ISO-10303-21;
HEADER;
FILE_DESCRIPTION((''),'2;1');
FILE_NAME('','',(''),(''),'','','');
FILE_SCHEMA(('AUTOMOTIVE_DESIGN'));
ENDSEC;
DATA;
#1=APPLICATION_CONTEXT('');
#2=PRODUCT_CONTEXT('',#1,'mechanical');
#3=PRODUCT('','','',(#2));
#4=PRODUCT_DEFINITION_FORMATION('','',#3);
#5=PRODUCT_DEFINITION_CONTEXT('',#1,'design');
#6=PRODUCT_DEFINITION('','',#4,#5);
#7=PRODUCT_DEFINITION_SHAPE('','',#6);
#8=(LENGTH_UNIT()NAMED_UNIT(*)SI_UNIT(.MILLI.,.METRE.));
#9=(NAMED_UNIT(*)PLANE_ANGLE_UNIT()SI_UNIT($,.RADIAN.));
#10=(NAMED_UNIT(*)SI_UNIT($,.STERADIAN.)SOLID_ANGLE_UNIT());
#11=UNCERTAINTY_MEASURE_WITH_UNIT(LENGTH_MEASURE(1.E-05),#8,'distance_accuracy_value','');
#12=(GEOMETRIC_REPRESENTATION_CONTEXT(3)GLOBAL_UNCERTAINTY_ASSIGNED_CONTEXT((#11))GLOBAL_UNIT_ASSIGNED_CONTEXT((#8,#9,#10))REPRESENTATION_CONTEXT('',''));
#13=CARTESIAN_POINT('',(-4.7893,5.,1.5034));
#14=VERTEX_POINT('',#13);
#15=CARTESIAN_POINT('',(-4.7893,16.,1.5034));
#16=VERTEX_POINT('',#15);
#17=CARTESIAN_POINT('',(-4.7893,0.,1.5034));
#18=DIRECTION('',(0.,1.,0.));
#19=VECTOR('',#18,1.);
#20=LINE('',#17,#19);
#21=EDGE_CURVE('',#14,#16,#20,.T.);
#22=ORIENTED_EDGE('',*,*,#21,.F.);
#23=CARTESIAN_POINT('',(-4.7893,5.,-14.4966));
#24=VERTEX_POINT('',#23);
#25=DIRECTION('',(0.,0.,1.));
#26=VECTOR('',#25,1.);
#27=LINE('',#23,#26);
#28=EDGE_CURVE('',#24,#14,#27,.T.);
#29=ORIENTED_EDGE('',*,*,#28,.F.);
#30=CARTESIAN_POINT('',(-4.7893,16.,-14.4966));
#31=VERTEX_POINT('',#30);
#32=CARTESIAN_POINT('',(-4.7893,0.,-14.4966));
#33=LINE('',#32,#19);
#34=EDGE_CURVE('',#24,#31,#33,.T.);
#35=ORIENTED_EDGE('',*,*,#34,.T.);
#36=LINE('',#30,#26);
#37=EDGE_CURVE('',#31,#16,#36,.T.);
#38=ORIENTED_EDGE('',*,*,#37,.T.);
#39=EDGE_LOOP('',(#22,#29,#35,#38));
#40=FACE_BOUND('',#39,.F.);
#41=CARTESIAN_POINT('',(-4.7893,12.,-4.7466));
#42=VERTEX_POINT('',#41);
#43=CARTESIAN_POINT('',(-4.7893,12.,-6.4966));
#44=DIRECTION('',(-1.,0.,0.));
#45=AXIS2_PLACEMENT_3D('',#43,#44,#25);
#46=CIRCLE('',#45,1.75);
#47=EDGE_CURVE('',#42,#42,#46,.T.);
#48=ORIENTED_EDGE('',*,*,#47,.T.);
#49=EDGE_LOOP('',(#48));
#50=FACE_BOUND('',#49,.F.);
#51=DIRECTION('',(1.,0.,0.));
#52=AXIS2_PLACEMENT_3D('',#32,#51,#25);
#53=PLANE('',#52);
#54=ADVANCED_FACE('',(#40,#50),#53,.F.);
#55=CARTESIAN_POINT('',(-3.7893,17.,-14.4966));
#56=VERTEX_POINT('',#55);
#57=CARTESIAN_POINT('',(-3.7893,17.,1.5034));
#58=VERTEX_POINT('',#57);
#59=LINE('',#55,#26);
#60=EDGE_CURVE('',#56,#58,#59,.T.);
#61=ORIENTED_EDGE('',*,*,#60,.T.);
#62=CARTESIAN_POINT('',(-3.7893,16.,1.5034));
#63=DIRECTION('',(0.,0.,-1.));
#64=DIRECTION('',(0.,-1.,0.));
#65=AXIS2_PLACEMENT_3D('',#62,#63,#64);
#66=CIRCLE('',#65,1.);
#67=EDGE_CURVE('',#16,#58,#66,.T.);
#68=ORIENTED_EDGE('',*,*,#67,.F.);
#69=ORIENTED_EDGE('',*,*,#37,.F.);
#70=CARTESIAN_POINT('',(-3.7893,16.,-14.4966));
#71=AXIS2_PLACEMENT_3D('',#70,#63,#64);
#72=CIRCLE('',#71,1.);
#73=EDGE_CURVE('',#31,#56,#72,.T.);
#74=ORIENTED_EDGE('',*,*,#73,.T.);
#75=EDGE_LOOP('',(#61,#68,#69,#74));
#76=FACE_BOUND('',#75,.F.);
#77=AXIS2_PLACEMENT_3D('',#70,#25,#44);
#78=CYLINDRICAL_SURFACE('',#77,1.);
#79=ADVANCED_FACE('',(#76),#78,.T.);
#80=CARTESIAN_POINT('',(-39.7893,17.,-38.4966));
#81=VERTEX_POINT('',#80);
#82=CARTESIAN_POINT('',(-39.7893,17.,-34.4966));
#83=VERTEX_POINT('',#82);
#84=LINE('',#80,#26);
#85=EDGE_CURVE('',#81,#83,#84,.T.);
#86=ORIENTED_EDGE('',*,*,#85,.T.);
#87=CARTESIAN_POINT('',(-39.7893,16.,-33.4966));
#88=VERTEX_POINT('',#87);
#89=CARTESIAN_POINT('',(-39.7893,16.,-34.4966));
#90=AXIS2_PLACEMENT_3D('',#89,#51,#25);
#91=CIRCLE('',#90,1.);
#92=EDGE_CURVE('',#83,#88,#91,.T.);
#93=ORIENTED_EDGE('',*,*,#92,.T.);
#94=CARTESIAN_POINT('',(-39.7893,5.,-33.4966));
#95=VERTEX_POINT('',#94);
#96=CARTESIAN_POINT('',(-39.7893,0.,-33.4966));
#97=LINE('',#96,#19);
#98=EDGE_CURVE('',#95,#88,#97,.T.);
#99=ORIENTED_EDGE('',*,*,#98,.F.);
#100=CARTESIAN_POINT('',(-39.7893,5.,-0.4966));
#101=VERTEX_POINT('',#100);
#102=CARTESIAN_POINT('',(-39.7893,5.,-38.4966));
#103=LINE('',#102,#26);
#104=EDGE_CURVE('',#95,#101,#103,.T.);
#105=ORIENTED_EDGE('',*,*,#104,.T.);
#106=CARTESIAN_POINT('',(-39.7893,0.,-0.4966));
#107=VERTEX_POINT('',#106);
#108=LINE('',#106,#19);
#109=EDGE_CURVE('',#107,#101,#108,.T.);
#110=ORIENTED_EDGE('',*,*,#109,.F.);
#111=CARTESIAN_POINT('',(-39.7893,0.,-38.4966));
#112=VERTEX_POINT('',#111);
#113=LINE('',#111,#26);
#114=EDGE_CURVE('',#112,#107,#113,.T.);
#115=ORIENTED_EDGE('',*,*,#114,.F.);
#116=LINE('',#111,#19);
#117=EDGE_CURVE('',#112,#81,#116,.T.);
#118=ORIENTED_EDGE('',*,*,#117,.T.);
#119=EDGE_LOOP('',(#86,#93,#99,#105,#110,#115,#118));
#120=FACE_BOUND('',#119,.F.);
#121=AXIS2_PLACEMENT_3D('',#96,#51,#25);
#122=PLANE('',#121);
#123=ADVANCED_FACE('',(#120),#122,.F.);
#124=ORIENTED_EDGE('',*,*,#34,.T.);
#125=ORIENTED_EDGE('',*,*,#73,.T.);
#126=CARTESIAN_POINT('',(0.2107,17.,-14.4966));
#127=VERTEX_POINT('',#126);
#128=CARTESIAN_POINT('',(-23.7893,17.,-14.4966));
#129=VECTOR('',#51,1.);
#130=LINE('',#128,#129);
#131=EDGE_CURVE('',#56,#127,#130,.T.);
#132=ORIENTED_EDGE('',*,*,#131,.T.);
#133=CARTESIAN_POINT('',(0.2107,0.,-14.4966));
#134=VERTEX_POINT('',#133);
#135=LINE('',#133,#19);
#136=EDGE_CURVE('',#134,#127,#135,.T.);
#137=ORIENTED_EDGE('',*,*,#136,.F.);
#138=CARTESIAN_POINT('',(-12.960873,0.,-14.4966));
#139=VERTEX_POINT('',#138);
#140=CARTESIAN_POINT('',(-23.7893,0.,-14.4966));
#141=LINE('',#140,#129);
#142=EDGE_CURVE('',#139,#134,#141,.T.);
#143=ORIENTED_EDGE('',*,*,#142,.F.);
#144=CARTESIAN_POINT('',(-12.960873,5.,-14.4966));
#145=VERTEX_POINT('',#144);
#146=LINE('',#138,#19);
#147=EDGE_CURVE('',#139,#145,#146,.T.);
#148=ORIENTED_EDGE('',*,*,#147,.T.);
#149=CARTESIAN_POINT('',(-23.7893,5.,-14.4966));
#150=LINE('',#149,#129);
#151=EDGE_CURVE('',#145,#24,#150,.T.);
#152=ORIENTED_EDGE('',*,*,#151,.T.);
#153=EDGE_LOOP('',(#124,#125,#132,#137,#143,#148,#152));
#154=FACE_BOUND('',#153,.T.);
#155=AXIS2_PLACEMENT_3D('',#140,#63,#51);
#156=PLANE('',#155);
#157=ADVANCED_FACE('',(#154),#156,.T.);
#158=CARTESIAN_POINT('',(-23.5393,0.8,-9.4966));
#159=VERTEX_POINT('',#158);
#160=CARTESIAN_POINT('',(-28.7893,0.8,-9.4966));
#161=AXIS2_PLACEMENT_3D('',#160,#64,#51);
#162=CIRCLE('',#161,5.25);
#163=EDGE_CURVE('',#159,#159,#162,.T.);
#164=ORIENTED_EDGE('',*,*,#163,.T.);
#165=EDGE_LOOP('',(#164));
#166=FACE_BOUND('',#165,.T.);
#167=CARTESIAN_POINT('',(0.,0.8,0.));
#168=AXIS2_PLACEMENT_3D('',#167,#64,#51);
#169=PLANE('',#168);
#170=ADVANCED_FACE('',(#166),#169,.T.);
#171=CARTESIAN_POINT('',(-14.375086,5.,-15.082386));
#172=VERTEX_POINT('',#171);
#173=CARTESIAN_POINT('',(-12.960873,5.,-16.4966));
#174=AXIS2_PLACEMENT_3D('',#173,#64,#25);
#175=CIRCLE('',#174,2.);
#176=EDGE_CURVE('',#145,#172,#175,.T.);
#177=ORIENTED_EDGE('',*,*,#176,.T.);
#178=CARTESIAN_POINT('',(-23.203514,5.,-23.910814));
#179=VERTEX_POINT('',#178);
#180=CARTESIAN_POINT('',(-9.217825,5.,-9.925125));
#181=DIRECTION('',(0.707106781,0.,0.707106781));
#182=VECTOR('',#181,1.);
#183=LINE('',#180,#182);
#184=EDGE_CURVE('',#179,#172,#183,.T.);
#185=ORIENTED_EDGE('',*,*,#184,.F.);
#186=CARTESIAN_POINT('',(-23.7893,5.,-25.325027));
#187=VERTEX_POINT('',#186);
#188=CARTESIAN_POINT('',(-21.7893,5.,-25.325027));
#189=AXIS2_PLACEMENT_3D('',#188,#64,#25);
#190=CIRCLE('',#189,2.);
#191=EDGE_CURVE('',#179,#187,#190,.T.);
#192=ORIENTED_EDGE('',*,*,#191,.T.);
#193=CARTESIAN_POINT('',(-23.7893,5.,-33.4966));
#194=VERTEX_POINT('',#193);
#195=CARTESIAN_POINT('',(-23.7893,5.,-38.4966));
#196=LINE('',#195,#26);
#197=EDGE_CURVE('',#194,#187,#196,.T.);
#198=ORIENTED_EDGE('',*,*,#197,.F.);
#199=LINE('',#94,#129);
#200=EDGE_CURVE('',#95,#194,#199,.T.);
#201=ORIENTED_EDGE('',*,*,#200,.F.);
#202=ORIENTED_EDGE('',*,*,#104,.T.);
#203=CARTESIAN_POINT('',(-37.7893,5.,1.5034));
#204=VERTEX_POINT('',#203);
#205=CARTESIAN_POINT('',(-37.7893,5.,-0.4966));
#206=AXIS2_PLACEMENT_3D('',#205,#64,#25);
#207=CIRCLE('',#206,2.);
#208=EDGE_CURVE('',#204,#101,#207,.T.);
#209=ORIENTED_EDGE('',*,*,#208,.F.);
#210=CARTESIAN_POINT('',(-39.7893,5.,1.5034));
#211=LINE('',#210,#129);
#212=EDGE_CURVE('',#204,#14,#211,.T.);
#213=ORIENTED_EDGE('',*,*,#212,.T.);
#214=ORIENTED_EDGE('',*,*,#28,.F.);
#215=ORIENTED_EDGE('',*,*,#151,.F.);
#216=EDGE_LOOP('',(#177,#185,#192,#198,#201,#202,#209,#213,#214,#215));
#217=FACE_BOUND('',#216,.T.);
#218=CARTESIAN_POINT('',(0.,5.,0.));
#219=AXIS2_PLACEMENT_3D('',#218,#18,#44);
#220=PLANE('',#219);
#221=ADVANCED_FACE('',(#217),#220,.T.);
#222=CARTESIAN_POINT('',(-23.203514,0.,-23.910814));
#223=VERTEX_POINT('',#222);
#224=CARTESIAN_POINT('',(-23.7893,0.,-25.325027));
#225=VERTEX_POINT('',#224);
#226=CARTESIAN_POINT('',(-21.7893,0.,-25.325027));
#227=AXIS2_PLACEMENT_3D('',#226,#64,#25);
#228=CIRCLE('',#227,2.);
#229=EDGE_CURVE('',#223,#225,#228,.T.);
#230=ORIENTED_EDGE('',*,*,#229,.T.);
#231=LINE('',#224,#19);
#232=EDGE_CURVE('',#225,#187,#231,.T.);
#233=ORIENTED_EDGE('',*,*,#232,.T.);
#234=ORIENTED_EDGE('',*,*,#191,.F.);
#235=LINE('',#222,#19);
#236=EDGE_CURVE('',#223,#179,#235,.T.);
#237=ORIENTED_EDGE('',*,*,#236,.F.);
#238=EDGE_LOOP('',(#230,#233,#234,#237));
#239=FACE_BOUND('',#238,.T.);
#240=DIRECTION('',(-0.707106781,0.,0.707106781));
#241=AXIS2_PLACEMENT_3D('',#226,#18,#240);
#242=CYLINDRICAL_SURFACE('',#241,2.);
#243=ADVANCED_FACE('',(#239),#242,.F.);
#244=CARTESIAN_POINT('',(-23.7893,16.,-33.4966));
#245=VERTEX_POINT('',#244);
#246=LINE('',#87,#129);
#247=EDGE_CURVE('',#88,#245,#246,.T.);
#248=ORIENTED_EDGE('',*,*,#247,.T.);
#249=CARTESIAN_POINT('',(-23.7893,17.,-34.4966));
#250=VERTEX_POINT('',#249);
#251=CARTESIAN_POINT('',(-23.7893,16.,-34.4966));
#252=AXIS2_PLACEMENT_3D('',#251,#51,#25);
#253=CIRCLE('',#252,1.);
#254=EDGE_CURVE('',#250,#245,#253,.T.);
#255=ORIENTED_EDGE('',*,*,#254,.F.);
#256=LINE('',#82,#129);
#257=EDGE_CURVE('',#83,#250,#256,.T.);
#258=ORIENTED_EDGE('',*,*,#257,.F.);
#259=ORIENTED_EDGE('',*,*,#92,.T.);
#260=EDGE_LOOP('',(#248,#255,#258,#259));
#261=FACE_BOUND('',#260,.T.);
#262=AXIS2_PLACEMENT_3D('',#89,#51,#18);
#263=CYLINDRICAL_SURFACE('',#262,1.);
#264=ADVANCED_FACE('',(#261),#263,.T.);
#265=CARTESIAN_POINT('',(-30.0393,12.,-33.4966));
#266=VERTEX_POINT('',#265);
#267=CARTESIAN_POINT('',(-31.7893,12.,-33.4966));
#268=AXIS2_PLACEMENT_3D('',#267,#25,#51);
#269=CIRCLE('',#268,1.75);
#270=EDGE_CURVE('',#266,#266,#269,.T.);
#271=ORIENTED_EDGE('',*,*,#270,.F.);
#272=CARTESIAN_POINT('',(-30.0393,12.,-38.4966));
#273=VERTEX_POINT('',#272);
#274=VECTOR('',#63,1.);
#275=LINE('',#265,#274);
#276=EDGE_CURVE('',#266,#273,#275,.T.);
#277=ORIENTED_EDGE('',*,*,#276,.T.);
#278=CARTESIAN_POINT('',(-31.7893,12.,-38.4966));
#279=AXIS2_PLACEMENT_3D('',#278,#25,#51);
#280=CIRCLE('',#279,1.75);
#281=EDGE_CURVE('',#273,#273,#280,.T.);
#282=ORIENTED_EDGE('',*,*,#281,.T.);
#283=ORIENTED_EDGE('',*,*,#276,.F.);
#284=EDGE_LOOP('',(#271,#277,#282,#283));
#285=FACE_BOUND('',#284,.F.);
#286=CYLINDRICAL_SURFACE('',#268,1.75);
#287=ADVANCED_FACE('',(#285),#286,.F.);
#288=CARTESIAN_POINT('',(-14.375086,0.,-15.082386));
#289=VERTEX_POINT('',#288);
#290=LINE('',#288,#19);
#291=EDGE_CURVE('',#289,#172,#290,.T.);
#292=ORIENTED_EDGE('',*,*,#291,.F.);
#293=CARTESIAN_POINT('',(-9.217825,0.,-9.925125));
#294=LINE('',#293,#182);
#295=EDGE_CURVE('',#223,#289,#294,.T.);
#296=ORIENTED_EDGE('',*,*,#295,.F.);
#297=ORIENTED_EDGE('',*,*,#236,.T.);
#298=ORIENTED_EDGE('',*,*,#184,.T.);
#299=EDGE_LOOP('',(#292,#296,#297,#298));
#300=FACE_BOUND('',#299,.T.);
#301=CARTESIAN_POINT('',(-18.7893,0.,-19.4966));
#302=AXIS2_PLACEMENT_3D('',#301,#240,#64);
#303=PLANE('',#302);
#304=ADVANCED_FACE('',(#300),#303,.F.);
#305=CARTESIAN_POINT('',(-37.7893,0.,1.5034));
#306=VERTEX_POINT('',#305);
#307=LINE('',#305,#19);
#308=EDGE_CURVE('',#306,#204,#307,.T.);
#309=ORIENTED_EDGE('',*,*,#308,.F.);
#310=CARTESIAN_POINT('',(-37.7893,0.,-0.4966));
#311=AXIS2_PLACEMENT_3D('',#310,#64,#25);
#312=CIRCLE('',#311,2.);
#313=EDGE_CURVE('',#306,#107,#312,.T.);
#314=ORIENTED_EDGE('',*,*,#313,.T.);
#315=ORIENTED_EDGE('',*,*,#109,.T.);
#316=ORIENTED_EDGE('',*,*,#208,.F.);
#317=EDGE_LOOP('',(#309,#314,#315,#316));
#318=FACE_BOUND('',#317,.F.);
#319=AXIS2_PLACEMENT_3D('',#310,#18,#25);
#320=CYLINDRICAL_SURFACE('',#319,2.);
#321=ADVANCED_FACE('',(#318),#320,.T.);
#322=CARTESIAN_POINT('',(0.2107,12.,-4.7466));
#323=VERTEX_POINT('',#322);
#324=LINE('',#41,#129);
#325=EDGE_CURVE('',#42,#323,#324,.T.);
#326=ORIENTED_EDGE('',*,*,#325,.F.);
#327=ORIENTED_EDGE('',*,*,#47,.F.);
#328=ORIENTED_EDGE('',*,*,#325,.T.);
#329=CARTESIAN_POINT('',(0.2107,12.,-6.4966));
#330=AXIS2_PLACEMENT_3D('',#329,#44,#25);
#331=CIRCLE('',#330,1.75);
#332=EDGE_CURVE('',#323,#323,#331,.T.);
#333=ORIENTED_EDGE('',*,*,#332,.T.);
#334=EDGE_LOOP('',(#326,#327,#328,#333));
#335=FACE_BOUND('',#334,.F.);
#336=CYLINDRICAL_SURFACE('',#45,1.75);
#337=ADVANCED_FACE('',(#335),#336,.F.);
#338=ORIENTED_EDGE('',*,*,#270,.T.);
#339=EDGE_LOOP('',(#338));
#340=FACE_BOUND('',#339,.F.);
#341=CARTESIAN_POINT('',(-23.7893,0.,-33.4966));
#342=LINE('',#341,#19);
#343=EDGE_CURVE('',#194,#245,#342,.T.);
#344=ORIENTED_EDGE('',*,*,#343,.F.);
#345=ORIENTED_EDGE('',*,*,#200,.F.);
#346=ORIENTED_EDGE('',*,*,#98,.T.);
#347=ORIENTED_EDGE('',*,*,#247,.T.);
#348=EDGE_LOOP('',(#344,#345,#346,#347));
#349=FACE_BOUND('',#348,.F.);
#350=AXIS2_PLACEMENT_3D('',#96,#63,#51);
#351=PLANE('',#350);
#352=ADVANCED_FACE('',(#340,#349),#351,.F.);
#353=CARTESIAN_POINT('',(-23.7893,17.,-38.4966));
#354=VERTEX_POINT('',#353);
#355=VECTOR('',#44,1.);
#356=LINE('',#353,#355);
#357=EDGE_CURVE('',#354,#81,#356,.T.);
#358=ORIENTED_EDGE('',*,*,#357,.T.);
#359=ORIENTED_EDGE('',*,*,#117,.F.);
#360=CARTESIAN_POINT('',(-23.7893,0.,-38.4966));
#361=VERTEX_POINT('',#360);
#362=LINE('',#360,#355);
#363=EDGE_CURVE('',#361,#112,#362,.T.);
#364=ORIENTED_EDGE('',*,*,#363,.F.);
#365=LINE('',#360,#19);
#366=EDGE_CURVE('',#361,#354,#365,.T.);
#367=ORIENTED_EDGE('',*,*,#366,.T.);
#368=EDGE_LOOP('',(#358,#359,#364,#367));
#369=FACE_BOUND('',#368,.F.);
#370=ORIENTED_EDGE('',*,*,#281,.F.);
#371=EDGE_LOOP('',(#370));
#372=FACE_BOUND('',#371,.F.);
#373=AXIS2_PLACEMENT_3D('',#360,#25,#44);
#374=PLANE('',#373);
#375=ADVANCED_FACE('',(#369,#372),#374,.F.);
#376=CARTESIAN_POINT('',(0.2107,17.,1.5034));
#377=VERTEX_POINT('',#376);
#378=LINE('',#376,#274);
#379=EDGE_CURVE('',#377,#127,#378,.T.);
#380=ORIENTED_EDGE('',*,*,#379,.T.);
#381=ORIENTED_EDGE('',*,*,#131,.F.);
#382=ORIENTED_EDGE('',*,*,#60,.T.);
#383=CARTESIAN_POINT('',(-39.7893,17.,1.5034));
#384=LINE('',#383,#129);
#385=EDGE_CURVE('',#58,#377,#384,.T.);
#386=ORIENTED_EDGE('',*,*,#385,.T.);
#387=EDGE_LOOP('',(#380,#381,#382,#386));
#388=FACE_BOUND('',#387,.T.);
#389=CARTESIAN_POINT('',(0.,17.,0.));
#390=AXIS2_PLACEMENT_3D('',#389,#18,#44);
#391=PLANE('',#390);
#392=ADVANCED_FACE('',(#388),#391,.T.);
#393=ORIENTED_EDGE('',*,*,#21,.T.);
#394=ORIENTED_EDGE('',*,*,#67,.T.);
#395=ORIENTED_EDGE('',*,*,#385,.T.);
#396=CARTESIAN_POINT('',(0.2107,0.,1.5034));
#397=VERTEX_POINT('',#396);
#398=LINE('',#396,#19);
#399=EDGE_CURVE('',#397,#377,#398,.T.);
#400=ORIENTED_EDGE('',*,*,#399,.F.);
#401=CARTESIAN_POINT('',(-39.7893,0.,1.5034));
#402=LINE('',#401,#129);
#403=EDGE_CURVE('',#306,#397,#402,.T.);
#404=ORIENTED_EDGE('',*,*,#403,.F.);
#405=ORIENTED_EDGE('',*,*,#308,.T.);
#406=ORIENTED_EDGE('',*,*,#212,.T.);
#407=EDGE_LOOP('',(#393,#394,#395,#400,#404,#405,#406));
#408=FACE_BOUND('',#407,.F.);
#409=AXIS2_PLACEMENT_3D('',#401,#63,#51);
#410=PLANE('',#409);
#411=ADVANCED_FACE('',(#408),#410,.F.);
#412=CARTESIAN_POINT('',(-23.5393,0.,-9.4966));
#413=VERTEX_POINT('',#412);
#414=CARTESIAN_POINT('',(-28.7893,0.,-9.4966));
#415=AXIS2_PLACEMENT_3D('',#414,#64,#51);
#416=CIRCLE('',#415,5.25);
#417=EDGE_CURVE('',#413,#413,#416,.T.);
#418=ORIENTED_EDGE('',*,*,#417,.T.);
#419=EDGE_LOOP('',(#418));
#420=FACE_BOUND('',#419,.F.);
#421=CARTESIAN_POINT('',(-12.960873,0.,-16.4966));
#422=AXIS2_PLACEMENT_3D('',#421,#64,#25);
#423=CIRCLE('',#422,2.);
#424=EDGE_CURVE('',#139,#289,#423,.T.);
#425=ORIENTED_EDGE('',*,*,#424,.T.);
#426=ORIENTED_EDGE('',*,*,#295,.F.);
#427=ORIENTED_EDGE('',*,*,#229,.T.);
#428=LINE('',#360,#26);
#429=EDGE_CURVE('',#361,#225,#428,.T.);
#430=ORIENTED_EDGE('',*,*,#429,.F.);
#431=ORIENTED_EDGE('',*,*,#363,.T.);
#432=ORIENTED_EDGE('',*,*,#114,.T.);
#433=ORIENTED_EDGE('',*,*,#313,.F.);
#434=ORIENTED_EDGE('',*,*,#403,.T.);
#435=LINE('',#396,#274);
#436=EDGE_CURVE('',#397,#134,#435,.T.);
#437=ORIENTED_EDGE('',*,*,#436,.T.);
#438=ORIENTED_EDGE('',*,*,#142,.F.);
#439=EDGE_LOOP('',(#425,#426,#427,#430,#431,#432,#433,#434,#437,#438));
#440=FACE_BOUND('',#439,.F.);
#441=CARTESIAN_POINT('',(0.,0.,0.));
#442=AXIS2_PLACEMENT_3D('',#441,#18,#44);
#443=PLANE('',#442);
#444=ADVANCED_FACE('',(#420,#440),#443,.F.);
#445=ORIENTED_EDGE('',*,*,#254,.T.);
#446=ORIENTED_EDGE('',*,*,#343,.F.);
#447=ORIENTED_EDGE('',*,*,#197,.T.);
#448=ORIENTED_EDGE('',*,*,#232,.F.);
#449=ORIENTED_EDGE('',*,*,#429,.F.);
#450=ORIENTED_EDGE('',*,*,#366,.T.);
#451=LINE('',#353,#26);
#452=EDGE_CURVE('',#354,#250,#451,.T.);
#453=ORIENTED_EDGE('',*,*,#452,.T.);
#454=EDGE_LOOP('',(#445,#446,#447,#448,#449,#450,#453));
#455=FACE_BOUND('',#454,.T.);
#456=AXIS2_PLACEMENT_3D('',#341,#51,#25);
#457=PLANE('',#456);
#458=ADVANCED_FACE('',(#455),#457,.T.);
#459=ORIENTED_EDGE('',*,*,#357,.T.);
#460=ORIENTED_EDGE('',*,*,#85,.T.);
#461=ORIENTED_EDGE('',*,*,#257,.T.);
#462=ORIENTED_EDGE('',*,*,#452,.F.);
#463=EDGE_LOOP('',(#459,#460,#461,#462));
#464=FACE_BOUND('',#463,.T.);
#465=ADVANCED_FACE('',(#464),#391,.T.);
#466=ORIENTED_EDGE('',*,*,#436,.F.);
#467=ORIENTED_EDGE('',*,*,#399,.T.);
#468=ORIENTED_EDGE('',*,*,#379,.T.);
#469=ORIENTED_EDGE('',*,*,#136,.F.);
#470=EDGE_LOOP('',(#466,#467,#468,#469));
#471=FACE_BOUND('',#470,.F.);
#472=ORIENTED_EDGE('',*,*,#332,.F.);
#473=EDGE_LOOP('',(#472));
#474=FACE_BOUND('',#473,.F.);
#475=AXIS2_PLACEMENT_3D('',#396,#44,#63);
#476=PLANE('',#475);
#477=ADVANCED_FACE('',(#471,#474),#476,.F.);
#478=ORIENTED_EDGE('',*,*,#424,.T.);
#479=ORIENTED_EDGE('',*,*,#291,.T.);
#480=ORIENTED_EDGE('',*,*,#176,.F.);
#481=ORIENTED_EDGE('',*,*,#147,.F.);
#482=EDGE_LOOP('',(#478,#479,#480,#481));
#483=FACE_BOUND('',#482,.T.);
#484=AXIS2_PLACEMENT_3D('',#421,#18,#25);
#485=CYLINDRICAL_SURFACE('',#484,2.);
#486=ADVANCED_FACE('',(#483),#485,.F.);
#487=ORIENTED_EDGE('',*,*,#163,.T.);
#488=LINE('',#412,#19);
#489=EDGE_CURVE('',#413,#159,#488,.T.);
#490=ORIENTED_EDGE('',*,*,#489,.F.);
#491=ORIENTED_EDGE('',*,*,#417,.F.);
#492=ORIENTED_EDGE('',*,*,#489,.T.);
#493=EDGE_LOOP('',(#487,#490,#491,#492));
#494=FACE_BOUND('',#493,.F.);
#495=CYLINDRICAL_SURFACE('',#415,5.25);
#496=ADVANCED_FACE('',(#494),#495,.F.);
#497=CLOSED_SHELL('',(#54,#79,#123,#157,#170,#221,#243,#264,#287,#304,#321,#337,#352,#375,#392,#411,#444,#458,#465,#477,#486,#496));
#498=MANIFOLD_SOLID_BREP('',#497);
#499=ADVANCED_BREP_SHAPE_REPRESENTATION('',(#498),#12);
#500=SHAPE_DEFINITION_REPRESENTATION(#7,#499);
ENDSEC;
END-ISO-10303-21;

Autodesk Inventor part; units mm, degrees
ref_plane "YZ Plane" through (0, 0, 0) normal (1, 0, 0) x (0, 1, 0)
ref_plane "XZ Plane" through (0, 0, 0) normal (0, 1, 0) x (-1, 0, 0)
ref_plane "XY Plane" through (0, 0, 0) normal (0, 0, 1) x (1, 0, 0)
sketch "스케치1" plane through (0, 0, 0) normal (0, 1, 0) x (-1, 0, 0)
  line L0 (39.7893, 1.5034) -> (-0.2107, 1.5034)
  line L1 (-0.2107, 1.5034) -> (-0.2107, -14.4966)
  line L2 (23.7893, -38.4966) -> (39.7893, -38.4966)
  line L3 (39.7893, -38.4966) -> (39.7893, 1.5034)
  line L4 (23.7893, -14.4966) -> (-0.2107, -14.4966)
  line L5 (23.7893, -38.4966) -> (23.7893, -14.4966)
  line L6 (23.7893, -38.4966) -> (39.7893, -38.4966)
  line L7 (39.7893, -38.4966) -> (39.7893, -33.4966)
  line L8 (39.7893, -33.4966) -> (23.7893, -33.4966)
  line L9 (23.7893, -33.4966) -> (23.7893, -38.4966)
  line L10 (-0.2107, -14.4966) -> (4.7893, -14.4966)
  line L11 (4.7893, -14.4966) -> (4.7893, 1.5034)
  line L12 (4.7893, 1.5034) -> (-0.2107, 1.5034)
  line L13 (-0.2107, 1.5034) -> (-0.2107, -14.4966)
  point P0 (0, 0)
  point P1 (4.7893, -14.4966)
  point P2 (23.7893, -33.4966)
  dimension "d10" = 5
  dimension "d11" = 5
  dimension "d31" = 16
  dimension "d32" = 16
  dimension "d38" = 40
  dimension "d39" = 40
extrude "돌출1" add sketch "스케치1" along normal blind 5 contours L3 L8 L5 L4 L11 L0
extrude "돌출2" add sketch "스케치1" along normal blind 17 contours L11 L4 L1 L0 | L3 L2 L5 L8
chamfer "모따기1" distance 10 angle 45 1 edges at (-23.7893, 2.5, -14.4966)
fillet "모깎기1" radius 2 3 edges at (-39.7893, 2.5, 1.5034) (-13.7893, 2.5, -14.4966) (-23.7893, 2.5, -24.4966)
sketch "스케치2" plane through (-4.7893, 5, 1.5034) normal (-1, 0, 0) x (0, 0, 1)
  circle A0 centre (-8, 7) radius 1.75
  line L0 (0, 0) -> (0, 12) projected
  line L1 (-16, 12) -> (0, 12) projected
  point P0 (-1.5034, -5)
  dimension "d20" = 3.5
  dimension "d21" = 8
  dimension "d22" = 5
extrude "돌출3" cut sketch "스케치2" against normal blind 20
sketch "스케치3" plane through (-39.7893, 5, -33.4966) normal (0, 0, 1) x (1, 0, 0)
  circle A0 centre (8, 7) radius 1.75
  line L0 (16, 0) -> (16, 12) projected
  line L1 (0, 12) -> (16, 12) projected
  point P0 (39.7893, -5)
  dimension "d25" = 3.5
  dimension "d26" = 8
  dimension "d27" = 5
extrude "돌출4" cut sketch "스케치3" against normal blind 20
fillet "모깎기2" radius 1 2 edges at (-31.7893, 17, -33.4966) (-4.7893, 17, -6.4966)
sketch "스케치4" plane through (0, 0, 0) normal (0, -1, 0) x (1, 0, 0)
  circle A0 centre (-28.7893, -9.4966) radius 5.25
  line L0 (-39.7893, -38.4966) -> (-39.7893, -0.4966) projected
  line L1 (-37.7893, 1.5034) -> (0.2107, 1.5034) projected
  point P0 (0, 0)
  dimension "d33" = 10.5
  dimension "d34" = 11
  dimension "d35" = 11
extrude "돌출5" cut sketch "스케치4" against normal blind 0.8
sketch "스케치5" plane through (0, 0, 0) normal (0, -1, 0) x (1, 0, 0)
  circle A0 centre (-28.7893, -9.4966) radius 5.25 projected
  circle A1 centre (-28.7893, -9.4966) radius 5.25
  point P0 (0, 0)
equation "\"d39\" = d38"
equation "\"d35\" = d34"
properties part number "C4-T-B-case-bracket"
